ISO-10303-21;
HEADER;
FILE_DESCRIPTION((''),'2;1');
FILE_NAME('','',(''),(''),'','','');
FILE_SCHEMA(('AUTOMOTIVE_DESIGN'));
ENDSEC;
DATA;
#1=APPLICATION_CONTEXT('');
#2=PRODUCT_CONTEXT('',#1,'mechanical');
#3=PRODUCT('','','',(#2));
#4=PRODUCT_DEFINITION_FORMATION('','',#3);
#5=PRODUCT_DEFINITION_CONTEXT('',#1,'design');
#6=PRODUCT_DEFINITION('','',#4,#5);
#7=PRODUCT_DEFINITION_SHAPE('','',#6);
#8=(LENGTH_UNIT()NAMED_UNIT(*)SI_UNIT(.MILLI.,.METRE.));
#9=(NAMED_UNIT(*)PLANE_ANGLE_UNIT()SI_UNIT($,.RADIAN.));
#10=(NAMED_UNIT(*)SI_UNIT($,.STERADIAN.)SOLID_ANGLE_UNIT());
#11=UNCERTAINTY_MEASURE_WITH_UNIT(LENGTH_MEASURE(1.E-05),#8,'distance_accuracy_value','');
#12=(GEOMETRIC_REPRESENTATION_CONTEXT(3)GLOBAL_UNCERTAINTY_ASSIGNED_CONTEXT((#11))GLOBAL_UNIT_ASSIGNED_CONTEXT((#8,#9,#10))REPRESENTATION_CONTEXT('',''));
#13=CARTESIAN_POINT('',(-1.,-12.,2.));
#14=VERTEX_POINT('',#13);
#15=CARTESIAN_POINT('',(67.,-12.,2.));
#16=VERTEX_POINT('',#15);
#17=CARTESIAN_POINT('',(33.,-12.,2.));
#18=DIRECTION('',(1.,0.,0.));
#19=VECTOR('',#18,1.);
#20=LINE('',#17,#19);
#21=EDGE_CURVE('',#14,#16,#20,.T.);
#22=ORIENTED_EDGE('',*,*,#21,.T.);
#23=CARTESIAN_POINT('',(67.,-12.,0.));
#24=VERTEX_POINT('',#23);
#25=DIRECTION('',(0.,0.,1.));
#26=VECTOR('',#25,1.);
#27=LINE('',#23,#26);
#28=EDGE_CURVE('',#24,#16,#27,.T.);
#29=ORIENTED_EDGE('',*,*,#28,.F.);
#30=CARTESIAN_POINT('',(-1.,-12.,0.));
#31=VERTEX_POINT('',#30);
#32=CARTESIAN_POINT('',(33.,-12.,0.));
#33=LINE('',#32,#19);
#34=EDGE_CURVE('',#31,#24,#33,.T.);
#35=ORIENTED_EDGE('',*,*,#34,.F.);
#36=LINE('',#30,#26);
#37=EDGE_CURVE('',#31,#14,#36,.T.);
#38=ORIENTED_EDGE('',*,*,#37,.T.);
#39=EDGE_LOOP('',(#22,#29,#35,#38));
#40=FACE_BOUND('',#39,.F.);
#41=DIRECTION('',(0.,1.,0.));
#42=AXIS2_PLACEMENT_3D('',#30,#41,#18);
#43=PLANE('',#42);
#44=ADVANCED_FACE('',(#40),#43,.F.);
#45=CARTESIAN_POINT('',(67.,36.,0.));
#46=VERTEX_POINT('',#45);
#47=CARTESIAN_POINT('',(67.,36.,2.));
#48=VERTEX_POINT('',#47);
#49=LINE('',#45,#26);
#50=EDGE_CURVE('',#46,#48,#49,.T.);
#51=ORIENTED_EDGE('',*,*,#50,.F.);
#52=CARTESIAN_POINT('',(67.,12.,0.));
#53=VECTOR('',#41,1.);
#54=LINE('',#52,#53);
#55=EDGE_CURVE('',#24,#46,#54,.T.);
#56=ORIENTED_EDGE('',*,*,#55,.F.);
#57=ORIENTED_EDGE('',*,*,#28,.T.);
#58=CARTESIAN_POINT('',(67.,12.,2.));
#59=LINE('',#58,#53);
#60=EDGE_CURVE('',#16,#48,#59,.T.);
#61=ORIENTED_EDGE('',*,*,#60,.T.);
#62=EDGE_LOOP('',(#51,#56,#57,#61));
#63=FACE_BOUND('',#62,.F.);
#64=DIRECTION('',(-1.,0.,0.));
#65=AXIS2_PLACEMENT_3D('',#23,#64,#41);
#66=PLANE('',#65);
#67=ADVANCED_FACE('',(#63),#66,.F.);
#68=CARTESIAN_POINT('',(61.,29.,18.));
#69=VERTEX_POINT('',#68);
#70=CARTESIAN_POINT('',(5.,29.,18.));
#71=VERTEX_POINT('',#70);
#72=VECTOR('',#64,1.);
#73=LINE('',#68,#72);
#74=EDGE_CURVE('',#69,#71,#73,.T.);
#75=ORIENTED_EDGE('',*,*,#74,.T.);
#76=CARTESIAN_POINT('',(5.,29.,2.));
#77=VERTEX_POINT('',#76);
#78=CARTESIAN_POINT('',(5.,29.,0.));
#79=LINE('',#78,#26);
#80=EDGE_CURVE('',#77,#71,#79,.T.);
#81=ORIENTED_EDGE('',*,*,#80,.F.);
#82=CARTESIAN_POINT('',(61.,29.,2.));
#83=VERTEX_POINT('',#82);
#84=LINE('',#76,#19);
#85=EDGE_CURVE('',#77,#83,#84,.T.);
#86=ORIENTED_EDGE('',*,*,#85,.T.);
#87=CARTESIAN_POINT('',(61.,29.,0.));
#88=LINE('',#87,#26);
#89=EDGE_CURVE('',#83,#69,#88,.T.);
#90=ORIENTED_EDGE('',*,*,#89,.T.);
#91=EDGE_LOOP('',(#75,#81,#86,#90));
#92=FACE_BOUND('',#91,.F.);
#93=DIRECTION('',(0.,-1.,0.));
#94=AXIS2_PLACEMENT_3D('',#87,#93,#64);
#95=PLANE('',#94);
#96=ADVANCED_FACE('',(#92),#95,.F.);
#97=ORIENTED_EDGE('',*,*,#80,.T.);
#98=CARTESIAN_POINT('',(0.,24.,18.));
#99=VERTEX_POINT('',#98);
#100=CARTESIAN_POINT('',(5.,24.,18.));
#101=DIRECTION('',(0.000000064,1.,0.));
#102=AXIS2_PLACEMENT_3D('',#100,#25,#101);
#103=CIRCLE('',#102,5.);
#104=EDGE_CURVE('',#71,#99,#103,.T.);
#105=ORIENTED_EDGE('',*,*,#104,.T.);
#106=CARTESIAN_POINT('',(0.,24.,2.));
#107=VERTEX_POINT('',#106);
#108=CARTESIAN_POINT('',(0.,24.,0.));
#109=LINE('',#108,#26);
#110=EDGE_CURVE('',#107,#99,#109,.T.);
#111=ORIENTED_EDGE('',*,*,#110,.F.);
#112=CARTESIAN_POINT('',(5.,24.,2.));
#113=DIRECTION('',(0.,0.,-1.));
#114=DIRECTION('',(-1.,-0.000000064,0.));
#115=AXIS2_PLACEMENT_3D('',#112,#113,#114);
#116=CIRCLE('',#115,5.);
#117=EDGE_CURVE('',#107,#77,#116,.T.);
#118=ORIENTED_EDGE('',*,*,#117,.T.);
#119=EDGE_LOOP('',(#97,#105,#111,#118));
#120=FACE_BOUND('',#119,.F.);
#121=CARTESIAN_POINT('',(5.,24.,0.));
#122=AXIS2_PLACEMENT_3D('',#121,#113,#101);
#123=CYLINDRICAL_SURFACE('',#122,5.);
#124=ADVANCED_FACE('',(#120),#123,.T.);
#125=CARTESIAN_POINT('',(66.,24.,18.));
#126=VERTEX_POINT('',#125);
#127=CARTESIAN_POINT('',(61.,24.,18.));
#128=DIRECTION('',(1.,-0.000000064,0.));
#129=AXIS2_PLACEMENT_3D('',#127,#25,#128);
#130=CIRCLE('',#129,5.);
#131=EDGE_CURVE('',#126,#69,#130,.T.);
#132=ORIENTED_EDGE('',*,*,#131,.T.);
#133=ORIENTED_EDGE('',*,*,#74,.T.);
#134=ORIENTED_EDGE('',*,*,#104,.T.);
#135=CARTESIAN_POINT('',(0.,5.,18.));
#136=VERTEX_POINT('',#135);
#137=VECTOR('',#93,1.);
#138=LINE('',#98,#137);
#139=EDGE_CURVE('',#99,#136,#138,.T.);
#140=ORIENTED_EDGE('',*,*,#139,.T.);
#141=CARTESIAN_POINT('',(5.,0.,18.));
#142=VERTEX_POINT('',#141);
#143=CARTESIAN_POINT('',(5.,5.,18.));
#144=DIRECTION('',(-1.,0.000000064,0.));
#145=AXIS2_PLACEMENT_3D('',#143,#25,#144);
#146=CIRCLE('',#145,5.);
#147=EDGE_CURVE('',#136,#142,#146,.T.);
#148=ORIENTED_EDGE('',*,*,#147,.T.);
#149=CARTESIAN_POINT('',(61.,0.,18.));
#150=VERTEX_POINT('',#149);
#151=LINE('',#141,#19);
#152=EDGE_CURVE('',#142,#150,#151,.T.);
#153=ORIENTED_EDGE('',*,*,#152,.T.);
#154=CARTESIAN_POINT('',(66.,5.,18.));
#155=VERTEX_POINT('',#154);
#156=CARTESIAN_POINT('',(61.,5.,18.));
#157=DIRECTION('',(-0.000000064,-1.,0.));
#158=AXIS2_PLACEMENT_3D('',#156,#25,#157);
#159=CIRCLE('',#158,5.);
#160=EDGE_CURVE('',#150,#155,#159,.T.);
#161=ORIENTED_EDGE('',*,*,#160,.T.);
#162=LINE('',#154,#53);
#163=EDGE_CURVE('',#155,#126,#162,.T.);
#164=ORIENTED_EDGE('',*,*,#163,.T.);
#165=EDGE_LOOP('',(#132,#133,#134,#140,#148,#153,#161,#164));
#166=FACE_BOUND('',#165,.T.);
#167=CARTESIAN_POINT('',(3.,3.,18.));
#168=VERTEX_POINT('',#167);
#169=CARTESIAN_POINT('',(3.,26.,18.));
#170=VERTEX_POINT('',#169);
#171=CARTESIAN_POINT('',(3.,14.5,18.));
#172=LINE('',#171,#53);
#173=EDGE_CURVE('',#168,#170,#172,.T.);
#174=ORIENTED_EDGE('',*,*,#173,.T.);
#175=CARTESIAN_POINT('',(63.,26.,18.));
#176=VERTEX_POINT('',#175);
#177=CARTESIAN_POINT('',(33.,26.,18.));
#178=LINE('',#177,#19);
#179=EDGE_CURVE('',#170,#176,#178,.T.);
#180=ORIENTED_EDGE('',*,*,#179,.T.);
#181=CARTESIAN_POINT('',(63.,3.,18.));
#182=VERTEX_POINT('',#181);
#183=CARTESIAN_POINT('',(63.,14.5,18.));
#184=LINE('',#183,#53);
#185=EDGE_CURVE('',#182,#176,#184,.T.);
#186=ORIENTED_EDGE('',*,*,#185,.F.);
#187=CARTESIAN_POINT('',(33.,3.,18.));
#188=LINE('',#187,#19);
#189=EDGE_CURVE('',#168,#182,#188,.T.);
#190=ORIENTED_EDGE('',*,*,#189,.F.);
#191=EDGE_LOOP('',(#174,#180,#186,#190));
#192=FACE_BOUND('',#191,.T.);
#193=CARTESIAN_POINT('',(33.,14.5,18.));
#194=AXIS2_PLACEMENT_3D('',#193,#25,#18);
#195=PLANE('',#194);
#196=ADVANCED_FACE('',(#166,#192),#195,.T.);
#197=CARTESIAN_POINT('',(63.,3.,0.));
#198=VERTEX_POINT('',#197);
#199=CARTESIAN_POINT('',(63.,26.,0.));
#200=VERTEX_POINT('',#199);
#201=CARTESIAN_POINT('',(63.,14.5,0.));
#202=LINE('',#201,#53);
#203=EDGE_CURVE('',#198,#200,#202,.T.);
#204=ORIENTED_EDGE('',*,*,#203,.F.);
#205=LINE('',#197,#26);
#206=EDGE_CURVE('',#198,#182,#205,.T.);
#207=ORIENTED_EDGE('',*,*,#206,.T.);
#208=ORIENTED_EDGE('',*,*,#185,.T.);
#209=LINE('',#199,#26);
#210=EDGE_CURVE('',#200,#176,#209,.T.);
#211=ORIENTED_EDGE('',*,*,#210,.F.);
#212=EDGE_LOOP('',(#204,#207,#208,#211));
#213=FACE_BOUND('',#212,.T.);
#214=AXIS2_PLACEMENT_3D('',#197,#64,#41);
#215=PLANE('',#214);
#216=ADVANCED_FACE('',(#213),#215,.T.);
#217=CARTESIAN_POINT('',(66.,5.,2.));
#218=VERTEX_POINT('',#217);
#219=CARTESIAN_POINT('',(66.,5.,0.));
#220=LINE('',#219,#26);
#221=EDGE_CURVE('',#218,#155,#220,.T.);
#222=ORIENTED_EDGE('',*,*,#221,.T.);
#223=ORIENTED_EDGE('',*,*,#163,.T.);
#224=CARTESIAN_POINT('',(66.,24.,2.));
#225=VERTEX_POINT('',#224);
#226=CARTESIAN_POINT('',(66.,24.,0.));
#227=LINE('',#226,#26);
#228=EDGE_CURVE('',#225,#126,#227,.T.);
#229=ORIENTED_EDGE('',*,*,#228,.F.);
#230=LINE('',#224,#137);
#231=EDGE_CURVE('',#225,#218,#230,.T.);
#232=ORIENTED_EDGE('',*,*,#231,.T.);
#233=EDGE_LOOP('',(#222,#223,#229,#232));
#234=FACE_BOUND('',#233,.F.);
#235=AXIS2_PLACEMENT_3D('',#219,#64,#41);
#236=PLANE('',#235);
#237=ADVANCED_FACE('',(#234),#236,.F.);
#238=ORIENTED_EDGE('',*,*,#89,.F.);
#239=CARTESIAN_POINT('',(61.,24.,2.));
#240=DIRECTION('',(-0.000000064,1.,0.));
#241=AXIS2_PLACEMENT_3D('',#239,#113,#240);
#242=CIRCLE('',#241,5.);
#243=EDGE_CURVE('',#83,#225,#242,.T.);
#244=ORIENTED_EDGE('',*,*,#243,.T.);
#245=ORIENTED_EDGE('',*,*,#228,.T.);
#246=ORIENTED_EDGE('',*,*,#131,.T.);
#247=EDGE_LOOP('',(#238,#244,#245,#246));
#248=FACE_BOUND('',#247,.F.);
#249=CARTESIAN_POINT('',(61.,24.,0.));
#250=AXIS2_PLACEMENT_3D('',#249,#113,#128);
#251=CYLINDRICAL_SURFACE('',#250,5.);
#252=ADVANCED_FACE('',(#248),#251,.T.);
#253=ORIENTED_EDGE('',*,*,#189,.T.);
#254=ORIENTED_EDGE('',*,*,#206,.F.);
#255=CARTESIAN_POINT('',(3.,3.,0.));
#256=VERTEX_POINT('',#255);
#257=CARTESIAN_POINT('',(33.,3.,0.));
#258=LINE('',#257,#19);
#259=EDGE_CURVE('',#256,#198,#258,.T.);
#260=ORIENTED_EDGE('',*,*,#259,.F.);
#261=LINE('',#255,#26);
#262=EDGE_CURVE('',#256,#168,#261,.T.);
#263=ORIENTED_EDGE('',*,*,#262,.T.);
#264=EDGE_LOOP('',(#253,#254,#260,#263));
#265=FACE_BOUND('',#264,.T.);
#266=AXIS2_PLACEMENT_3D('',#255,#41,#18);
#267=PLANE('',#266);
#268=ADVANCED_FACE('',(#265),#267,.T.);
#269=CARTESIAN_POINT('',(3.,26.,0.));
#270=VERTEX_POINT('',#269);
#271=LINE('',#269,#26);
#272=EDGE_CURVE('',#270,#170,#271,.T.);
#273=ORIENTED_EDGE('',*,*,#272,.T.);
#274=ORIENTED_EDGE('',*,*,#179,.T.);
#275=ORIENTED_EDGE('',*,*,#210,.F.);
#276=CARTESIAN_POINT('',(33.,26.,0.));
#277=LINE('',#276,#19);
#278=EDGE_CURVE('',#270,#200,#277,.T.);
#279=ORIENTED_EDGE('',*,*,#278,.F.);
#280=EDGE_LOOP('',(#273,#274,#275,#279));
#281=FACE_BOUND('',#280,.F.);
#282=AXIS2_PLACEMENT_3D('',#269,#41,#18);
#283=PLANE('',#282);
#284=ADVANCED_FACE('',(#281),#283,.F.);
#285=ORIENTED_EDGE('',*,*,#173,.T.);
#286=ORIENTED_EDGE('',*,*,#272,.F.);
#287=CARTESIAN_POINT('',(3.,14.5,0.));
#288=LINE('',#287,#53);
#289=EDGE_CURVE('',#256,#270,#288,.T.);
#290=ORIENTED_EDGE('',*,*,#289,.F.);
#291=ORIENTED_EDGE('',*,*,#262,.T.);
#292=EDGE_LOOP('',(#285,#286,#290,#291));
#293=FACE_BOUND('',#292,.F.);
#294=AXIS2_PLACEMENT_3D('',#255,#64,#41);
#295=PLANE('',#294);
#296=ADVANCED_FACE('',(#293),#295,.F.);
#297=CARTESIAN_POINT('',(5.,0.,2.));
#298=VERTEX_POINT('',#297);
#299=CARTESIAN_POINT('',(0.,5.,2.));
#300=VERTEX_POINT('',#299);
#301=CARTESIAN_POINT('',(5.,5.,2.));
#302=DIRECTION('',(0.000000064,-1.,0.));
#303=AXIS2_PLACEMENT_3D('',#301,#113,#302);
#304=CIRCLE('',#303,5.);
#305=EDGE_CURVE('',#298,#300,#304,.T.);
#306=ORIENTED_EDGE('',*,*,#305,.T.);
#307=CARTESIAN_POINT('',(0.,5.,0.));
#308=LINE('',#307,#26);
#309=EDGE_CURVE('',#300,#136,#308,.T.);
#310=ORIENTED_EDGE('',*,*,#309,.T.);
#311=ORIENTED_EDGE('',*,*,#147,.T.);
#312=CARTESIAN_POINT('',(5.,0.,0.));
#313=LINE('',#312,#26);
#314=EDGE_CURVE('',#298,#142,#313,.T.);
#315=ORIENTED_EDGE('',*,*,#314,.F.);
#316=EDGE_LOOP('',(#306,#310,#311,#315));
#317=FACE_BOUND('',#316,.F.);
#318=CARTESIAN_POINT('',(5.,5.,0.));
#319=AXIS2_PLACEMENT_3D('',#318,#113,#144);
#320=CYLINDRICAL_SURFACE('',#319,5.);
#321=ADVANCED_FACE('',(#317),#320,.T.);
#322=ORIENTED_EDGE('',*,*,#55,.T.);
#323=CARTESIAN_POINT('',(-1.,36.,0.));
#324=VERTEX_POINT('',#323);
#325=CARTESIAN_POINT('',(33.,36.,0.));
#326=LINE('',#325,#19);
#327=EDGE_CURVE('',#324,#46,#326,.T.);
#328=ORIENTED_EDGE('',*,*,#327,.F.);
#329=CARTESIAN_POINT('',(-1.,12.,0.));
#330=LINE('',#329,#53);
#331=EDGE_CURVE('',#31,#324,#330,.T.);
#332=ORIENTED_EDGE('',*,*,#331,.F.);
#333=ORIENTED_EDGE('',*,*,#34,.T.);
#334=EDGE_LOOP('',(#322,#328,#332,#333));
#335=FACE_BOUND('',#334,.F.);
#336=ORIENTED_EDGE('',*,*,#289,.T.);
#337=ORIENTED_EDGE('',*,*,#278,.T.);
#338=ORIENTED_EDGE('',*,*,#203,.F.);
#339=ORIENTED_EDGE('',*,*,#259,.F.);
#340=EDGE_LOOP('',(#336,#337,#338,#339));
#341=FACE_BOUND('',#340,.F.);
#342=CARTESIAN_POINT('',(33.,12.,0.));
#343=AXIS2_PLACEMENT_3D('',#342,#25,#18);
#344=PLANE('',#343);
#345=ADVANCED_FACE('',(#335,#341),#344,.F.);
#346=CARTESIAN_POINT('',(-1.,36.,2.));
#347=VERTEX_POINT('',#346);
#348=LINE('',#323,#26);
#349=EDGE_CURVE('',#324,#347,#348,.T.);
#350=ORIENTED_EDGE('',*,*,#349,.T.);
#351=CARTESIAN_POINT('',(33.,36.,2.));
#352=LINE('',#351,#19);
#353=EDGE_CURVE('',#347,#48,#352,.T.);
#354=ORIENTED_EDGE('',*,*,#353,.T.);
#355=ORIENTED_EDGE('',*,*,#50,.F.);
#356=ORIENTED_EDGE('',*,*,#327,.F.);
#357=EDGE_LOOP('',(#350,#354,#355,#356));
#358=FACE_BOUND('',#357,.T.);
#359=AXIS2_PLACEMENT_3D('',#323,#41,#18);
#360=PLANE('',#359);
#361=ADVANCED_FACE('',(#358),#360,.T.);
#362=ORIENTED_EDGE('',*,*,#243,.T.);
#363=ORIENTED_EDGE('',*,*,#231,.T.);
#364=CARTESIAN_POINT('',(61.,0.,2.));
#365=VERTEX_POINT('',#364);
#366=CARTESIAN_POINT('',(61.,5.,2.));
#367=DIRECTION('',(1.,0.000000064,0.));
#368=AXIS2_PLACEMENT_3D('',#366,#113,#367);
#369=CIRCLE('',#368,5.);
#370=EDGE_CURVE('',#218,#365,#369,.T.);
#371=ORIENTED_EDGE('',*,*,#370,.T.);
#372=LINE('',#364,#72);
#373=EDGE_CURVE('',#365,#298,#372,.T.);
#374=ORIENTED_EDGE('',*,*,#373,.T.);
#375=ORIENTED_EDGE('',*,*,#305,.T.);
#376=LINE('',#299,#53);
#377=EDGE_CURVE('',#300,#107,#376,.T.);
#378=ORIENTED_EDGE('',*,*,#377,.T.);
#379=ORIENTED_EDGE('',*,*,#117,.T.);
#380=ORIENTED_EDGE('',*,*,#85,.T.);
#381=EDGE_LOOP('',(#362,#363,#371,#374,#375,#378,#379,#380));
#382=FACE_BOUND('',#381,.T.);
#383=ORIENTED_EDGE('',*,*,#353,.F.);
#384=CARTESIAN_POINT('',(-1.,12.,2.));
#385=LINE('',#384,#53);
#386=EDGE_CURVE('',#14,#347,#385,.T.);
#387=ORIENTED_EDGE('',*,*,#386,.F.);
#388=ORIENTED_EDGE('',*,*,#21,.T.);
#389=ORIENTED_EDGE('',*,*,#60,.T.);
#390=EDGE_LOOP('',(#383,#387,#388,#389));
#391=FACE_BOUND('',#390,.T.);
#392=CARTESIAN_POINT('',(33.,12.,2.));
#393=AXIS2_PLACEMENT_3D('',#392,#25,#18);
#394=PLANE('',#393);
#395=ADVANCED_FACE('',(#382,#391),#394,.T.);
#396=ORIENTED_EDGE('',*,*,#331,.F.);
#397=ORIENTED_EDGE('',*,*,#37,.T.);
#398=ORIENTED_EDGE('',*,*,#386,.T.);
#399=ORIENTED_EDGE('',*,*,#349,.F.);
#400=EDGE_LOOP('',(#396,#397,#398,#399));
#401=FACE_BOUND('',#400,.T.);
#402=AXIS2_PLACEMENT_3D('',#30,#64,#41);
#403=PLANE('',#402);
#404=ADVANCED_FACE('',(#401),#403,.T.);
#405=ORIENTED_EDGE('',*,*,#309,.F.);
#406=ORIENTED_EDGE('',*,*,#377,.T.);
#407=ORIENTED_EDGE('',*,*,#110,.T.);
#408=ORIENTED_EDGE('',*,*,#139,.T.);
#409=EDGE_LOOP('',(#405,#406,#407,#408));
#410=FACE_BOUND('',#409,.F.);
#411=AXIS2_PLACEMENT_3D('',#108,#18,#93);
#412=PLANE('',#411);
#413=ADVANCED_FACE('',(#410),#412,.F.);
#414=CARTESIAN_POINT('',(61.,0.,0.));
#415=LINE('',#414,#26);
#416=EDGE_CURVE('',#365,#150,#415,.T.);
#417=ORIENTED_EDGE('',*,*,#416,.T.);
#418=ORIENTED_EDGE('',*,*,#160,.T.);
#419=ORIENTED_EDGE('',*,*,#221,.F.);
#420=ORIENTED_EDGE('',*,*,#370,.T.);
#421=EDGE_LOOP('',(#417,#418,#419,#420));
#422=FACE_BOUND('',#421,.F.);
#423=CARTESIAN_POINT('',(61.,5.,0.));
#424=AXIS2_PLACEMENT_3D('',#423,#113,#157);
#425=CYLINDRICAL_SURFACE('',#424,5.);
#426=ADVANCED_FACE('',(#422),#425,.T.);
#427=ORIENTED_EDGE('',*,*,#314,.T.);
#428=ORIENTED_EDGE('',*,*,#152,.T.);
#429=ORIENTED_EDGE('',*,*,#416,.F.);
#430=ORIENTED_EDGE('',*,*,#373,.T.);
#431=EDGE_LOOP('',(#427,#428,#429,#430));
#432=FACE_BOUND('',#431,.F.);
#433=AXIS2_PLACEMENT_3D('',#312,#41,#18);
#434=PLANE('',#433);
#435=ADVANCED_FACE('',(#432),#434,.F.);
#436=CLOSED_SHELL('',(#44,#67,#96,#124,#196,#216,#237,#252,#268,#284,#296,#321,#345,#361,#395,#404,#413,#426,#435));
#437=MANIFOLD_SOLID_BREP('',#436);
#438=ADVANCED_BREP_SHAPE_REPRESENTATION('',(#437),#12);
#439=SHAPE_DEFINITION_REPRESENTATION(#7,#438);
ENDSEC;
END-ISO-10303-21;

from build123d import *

# Parameters (mm, degrees)
F0_W     = 68
F0_H     = 48
F1_DEPTH = 2
F0_W_2   = 60
F0_H_2   = 23
F2_DEPTH = 18


with BuildPart() as f1:
    # F0 (on Top) → F1 (new body)
    with BuildSketch(Plane.XY):
        with Locations((33, 12)):
            Rectangle(F0_W, F0_H)
        with BuildLine():
            Line((61, 0), (5, 0))
            ThreePointArc((5, 0), (1.464466, 1.464466), (0, 5))
            Line((0, 5), (0, 24))
            ThreePointArc((0, 24), (1.464466, 27.535534), (5, 29))
            Line((5, 29), (61, 29))
            ThreePointArc((61, 29), (64.535534, 27.535534), (66, 24))
            Line((66, 24), (66, 5))
            ThreePointArc((66, 5), (64.535534, 1.464466), (61, 0))
        make_face(mode=Mode.SUBTRACT)
    extrude(amount=F1_DEPTH)

    # F0 (on Top) → F2 (join)
    with BuildSketch(Plane.XY):
        with BuildLine():
            ThreePointArc((0, 5), (1.464466, 1.464466), (5, 0))
            Line((5, 0), (61, 0))
            ThreePointArc((61, 0), (64.535534, 1.464466), (66, 5))
            Line((66, 5), (66, 24))
            ThreePointArc((66, 24), (64.535534, 27.535534), (61, 29))
            Line((61, 29), (5, 29))
            ThreePointArc((5, 29), (1.464466, 27.535534), (0, 24))
            Line((0, 24), (0, 5))
        make_face()
        with Locations((33, 14.5)):
            Rectangle(F0_W_2, F0_H_2, mode=Mode.SUBTRACT)
    extrude(amount=F2_DEPTH)


solid = f1.part
